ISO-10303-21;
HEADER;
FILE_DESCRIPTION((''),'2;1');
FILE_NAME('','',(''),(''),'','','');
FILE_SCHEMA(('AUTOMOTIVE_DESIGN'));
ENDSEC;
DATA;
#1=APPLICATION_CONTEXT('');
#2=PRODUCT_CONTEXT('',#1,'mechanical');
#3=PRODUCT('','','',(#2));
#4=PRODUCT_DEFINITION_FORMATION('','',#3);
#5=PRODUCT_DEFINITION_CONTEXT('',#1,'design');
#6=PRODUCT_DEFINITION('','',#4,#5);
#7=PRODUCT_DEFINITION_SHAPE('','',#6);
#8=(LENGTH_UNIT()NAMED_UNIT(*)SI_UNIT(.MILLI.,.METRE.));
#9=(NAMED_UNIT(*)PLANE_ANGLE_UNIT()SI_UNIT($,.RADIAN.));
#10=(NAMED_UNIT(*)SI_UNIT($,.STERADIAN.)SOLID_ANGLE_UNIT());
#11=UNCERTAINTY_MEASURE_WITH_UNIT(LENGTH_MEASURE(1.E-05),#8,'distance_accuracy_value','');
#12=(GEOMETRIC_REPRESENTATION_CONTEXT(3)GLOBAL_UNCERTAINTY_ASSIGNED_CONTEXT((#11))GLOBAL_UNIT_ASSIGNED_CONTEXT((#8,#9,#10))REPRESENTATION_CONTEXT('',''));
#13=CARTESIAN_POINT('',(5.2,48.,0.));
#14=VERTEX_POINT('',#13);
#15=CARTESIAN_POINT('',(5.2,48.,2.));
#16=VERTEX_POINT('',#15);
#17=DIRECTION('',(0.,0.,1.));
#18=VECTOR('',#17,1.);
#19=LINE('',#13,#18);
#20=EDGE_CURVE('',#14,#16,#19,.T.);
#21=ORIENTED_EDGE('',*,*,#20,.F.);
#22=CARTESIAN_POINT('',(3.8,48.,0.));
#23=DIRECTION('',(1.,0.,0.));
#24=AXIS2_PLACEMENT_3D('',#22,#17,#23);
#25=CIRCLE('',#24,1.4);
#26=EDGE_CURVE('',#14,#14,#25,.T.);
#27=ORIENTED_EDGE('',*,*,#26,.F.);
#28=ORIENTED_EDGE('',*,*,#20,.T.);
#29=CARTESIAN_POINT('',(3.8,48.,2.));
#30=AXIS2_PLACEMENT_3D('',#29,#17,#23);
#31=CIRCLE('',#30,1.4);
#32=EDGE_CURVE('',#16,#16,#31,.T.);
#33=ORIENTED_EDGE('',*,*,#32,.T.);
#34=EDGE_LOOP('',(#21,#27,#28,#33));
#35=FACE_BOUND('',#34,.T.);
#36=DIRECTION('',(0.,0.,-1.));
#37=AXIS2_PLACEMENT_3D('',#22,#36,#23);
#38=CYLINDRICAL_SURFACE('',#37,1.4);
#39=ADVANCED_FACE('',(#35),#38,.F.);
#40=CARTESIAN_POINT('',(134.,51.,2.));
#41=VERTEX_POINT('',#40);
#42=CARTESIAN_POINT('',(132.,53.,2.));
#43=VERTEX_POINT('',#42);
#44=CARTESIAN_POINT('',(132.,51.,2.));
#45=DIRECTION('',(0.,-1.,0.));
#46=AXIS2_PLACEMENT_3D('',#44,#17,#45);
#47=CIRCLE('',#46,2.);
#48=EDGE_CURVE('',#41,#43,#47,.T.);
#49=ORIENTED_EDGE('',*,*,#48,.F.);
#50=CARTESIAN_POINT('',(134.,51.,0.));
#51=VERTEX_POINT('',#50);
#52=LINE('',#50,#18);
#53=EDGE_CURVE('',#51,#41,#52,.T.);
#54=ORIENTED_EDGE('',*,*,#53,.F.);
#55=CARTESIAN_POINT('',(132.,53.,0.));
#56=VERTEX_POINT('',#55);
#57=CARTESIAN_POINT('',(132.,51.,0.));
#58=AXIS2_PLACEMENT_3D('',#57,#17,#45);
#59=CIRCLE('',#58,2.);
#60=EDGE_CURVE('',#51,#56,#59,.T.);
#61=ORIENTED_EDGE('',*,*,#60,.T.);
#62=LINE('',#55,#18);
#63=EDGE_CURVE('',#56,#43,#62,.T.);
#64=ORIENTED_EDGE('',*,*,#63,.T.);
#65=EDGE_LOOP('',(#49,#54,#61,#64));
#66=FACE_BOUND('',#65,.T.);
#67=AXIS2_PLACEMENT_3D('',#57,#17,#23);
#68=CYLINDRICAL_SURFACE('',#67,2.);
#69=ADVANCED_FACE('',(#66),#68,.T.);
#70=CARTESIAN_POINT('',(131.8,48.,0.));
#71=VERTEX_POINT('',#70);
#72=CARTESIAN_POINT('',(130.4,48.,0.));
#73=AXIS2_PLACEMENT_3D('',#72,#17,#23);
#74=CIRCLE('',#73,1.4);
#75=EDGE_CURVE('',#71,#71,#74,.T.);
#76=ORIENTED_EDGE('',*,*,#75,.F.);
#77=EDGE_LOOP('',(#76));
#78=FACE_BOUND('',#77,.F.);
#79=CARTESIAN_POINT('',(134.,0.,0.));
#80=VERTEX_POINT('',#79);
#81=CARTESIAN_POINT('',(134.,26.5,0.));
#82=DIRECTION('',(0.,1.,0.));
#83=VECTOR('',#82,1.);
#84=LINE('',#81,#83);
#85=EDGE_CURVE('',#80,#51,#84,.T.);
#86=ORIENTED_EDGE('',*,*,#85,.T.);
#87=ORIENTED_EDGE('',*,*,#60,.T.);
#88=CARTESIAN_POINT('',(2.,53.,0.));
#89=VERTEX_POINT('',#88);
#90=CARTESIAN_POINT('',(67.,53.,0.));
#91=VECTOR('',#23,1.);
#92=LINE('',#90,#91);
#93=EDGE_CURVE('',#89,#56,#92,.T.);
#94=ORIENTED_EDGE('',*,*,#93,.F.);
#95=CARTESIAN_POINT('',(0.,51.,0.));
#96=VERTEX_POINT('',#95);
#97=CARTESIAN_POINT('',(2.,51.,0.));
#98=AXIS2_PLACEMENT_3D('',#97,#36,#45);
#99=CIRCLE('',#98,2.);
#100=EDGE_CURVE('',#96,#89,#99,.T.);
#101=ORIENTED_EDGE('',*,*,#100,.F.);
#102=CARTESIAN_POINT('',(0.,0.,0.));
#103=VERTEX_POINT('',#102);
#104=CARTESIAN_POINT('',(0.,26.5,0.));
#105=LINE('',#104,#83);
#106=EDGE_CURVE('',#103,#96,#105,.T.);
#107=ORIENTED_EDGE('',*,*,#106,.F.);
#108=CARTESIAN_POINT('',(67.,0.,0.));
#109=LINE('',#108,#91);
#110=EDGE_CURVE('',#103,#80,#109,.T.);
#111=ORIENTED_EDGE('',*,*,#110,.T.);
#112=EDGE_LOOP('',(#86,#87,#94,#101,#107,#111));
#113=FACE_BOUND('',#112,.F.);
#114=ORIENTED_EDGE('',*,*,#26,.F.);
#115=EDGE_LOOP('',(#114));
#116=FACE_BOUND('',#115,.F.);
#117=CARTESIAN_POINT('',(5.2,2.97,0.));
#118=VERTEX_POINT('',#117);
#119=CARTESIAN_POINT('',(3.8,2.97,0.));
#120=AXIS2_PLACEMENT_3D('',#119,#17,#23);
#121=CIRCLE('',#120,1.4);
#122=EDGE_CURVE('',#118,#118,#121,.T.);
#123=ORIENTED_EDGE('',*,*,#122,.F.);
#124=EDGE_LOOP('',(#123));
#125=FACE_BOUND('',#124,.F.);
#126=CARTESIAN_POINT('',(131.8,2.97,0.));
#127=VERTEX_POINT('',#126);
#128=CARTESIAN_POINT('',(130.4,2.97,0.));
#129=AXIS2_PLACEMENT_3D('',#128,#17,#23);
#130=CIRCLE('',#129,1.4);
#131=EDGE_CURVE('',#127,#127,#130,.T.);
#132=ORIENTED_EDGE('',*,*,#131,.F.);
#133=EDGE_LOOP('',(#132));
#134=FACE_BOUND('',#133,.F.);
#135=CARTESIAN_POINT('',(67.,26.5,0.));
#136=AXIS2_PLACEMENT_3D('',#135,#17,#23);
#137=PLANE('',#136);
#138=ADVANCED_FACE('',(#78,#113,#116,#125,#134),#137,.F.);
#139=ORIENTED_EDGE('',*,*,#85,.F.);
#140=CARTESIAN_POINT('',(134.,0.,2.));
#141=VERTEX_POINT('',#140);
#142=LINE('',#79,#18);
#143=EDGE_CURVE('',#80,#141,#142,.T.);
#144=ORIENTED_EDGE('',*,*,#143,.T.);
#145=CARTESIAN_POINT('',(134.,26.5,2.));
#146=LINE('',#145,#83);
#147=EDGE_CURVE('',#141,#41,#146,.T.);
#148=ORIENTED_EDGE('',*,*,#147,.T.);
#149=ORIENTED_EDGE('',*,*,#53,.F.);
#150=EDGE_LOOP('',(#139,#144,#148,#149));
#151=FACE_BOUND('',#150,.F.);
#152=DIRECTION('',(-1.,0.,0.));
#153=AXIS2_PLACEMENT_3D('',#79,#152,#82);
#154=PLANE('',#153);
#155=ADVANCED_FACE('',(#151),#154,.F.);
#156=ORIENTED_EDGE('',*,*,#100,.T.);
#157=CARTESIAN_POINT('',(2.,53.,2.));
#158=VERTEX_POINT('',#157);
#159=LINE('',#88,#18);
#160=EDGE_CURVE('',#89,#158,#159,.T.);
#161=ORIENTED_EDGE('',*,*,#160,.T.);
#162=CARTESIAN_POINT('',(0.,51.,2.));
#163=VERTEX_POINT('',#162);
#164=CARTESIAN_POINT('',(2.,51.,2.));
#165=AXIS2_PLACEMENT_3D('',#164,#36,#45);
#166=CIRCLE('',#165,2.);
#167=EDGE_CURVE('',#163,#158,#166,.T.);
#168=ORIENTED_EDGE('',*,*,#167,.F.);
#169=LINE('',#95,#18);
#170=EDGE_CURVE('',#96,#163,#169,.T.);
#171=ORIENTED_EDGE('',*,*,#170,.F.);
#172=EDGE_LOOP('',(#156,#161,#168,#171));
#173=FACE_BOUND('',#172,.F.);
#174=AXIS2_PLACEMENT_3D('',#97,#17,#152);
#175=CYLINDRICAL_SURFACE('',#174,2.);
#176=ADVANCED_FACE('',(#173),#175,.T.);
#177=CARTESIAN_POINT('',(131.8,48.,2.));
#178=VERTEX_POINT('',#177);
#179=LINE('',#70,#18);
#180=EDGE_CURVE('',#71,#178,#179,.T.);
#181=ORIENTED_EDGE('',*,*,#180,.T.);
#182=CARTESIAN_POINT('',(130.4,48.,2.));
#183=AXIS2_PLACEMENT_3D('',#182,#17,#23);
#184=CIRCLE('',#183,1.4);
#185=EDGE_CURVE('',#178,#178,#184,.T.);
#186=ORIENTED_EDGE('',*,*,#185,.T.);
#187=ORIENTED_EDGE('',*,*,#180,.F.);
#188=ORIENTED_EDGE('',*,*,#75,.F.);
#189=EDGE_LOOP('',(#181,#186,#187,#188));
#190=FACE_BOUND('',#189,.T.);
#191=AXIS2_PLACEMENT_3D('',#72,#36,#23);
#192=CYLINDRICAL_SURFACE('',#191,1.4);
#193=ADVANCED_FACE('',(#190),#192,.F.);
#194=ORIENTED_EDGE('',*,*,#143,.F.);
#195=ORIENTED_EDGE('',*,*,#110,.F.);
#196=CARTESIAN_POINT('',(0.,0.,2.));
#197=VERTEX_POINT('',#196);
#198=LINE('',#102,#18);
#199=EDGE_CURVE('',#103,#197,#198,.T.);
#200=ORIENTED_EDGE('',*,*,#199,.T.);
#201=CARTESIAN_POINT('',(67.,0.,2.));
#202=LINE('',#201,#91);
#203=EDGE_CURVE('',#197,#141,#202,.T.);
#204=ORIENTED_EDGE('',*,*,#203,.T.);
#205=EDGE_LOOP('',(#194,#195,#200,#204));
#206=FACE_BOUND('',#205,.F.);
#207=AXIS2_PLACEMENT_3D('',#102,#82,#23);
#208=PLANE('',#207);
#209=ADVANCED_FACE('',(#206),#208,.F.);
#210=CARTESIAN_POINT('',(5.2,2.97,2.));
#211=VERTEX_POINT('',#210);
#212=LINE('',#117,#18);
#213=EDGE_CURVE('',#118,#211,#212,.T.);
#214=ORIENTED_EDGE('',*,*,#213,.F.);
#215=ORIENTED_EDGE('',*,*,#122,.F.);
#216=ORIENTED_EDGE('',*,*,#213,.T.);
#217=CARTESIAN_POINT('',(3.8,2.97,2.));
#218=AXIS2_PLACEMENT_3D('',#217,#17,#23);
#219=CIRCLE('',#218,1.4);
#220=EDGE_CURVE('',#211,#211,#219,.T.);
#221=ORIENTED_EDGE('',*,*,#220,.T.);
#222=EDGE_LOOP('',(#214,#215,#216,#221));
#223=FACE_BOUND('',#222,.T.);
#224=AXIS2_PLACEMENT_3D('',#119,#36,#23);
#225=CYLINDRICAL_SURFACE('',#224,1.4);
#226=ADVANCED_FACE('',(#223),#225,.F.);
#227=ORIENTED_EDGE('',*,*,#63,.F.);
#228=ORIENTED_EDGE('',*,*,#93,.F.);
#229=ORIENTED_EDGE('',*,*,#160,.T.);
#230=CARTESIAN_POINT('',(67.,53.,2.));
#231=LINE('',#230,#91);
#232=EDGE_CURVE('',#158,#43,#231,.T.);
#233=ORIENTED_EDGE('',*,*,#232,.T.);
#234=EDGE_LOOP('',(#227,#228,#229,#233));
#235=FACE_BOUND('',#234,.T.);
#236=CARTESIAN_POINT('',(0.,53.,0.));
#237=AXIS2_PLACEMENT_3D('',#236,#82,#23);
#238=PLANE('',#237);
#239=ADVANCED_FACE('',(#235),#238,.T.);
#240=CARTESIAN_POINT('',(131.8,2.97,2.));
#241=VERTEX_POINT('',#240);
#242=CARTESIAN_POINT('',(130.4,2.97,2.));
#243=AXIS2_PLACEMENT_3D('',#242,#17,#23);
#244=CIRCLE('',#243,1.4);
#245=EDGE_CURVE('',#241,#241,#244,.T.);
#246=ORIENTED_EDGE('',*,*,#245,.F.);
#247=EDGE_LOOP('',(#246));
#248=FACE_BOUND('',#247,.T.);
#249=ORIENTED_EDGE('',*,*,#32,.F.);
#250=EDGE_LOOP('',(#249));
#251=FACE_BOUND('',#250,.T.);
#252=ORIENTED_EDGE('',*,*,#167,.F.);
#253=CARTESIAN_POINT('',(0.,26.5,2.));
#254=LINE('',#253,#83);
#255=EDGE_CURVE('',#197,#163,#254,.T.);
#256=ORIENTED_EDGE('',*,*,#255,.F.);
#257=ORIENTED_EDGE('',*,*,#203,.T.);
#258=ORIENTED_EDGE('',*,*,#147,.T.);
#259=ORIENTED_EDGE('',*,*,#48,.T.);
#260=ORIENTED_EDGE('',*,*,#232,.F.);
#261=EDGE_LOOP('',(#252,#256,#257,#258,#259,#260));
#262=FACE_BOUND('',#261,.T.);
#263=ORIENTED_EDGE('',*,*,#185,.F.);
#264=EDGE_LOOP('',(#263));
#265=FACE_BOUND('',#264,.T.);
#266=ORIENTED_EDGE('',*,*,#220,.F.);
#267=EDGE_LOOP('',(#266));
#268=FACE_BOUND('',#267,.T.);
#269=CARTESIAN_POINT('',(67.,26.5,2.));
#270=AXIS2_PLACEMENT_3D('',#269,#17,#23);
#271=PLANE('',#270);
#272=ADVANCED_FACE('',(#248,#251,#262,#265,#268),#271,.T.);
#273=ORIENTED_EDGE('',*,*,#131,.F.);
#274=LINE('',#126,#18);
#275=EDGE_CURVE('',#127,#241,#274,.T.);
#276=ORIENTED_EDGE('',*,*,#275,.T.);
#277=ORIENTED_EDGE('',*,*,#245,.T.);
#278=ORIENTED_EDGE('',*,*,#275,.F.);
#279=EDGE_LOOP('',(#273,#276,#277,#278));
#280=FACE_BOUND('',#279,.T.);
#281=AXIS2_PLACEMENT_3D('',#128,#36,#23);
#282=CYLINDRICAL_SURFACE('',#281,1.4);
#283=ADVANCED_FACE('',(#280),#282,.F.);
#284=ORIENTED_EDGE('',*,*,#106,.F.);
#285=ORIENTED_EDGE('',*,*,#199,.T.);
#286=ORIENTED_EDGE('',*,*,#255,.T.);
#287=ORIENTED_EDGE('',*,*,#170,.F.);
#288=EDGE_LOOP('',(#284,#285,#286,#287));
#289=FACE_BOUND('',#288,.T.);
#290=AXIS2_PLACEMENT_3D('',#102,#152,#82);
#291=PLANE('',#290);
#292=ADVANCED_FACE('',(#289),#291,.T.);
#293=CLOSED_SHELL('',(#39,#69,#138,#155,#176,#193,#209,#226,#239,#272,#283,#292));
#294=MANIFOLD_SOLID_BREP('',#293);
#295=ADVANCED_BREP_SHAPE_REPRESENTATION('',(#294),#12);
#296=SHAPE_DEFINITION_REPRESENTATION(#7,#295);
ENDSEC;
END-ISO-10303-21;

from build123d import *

# Parameters (mm, degrees)
CYLINDER003_R     = 1.4
CYLINDER003_DEPTH = 2
CYLINDER001_R     = 1.4
CYLINDER001_DEPTH = 2
CYLINDER002_R     = 1.4
CYLINDER002_DEPTH = 2
CYLINDER_R        = 1.4
CYLINDER_DEPTH    = 2
BOX_W             = 134
BOX_H             = 53
BOX_DEPTH         = 2
FILLET_R          = 2


with BuildPart() as cylinder003:
    # Cylinder003 → Cylinder003 (new body)
    with BuildSketch(Plane(origin=(130.4, 48, 0), x_dir=(1, 0, 0), z_dir=(0, 0, 1))):
        Circle(CYLINDER003_R)
    extrude(amount=CYLINDER003_DEPTH)


with BuildPart() as cylinder001:
    # Cylinder001 → Cylinder001 (new body)
    with BuildSketch(Plane(origin=(3.8, 48, 0), x_dir=(1, 0, 0), z_dir=(0, 0, 1))):
        Circle(CYLINDER001_R)
    extrude(amount=CYLINDER001_DEPTH)


with BuildPart() as cylinder002:
    # Cylinder002 → Cylinder002 (new body)
    with BuildSketch(Plane(origin=(130.4, 2.97, 0), x_dir=(1, 0, 0), z_dir=(0, 0, 1))):
        Circle(CYLINDER002_R)
    extrude(amount=CYLINDER002_DEPTH)


with BuildPart() as fusion:
    # Cylinder → Cylinder (new body)
    with BuildSketch(Plane(origin=(3.8, 2.97, 0), x_dir=(1, 0, 0), z_dir=(0, 0, 1))):
        Circle(CYLINDER_R)
    extrude(amount=CYLINDER_DEPTH)

    # Fusion: union Cylinder003, Cylinder001, Cylinder002
    add(cylinder003.part)
    add(cylinder001.part)
    add(cylinder002.part)


with BuildPart() as cut:
    # Box → Box (new body)
    with BuildSketch(Plane.XY):
        with Locations((67, 26.5)):
            Rectangle(BOX_W, BOX_H)
    extrude(amount=BOX_DEPTH)

    # Fillet
    fillet_edges = [cut.edges().sort_by_distance(p)[0] for p in [
        (0, 53, 1),
        (134, 53, 1),
    ]]
    fillet(fillet_edges, radius=FILLET_R)

    # Cut: cut Fusion
    add(fusion.part, mode=Mode.SUBTRACT)


solid = cut.part
